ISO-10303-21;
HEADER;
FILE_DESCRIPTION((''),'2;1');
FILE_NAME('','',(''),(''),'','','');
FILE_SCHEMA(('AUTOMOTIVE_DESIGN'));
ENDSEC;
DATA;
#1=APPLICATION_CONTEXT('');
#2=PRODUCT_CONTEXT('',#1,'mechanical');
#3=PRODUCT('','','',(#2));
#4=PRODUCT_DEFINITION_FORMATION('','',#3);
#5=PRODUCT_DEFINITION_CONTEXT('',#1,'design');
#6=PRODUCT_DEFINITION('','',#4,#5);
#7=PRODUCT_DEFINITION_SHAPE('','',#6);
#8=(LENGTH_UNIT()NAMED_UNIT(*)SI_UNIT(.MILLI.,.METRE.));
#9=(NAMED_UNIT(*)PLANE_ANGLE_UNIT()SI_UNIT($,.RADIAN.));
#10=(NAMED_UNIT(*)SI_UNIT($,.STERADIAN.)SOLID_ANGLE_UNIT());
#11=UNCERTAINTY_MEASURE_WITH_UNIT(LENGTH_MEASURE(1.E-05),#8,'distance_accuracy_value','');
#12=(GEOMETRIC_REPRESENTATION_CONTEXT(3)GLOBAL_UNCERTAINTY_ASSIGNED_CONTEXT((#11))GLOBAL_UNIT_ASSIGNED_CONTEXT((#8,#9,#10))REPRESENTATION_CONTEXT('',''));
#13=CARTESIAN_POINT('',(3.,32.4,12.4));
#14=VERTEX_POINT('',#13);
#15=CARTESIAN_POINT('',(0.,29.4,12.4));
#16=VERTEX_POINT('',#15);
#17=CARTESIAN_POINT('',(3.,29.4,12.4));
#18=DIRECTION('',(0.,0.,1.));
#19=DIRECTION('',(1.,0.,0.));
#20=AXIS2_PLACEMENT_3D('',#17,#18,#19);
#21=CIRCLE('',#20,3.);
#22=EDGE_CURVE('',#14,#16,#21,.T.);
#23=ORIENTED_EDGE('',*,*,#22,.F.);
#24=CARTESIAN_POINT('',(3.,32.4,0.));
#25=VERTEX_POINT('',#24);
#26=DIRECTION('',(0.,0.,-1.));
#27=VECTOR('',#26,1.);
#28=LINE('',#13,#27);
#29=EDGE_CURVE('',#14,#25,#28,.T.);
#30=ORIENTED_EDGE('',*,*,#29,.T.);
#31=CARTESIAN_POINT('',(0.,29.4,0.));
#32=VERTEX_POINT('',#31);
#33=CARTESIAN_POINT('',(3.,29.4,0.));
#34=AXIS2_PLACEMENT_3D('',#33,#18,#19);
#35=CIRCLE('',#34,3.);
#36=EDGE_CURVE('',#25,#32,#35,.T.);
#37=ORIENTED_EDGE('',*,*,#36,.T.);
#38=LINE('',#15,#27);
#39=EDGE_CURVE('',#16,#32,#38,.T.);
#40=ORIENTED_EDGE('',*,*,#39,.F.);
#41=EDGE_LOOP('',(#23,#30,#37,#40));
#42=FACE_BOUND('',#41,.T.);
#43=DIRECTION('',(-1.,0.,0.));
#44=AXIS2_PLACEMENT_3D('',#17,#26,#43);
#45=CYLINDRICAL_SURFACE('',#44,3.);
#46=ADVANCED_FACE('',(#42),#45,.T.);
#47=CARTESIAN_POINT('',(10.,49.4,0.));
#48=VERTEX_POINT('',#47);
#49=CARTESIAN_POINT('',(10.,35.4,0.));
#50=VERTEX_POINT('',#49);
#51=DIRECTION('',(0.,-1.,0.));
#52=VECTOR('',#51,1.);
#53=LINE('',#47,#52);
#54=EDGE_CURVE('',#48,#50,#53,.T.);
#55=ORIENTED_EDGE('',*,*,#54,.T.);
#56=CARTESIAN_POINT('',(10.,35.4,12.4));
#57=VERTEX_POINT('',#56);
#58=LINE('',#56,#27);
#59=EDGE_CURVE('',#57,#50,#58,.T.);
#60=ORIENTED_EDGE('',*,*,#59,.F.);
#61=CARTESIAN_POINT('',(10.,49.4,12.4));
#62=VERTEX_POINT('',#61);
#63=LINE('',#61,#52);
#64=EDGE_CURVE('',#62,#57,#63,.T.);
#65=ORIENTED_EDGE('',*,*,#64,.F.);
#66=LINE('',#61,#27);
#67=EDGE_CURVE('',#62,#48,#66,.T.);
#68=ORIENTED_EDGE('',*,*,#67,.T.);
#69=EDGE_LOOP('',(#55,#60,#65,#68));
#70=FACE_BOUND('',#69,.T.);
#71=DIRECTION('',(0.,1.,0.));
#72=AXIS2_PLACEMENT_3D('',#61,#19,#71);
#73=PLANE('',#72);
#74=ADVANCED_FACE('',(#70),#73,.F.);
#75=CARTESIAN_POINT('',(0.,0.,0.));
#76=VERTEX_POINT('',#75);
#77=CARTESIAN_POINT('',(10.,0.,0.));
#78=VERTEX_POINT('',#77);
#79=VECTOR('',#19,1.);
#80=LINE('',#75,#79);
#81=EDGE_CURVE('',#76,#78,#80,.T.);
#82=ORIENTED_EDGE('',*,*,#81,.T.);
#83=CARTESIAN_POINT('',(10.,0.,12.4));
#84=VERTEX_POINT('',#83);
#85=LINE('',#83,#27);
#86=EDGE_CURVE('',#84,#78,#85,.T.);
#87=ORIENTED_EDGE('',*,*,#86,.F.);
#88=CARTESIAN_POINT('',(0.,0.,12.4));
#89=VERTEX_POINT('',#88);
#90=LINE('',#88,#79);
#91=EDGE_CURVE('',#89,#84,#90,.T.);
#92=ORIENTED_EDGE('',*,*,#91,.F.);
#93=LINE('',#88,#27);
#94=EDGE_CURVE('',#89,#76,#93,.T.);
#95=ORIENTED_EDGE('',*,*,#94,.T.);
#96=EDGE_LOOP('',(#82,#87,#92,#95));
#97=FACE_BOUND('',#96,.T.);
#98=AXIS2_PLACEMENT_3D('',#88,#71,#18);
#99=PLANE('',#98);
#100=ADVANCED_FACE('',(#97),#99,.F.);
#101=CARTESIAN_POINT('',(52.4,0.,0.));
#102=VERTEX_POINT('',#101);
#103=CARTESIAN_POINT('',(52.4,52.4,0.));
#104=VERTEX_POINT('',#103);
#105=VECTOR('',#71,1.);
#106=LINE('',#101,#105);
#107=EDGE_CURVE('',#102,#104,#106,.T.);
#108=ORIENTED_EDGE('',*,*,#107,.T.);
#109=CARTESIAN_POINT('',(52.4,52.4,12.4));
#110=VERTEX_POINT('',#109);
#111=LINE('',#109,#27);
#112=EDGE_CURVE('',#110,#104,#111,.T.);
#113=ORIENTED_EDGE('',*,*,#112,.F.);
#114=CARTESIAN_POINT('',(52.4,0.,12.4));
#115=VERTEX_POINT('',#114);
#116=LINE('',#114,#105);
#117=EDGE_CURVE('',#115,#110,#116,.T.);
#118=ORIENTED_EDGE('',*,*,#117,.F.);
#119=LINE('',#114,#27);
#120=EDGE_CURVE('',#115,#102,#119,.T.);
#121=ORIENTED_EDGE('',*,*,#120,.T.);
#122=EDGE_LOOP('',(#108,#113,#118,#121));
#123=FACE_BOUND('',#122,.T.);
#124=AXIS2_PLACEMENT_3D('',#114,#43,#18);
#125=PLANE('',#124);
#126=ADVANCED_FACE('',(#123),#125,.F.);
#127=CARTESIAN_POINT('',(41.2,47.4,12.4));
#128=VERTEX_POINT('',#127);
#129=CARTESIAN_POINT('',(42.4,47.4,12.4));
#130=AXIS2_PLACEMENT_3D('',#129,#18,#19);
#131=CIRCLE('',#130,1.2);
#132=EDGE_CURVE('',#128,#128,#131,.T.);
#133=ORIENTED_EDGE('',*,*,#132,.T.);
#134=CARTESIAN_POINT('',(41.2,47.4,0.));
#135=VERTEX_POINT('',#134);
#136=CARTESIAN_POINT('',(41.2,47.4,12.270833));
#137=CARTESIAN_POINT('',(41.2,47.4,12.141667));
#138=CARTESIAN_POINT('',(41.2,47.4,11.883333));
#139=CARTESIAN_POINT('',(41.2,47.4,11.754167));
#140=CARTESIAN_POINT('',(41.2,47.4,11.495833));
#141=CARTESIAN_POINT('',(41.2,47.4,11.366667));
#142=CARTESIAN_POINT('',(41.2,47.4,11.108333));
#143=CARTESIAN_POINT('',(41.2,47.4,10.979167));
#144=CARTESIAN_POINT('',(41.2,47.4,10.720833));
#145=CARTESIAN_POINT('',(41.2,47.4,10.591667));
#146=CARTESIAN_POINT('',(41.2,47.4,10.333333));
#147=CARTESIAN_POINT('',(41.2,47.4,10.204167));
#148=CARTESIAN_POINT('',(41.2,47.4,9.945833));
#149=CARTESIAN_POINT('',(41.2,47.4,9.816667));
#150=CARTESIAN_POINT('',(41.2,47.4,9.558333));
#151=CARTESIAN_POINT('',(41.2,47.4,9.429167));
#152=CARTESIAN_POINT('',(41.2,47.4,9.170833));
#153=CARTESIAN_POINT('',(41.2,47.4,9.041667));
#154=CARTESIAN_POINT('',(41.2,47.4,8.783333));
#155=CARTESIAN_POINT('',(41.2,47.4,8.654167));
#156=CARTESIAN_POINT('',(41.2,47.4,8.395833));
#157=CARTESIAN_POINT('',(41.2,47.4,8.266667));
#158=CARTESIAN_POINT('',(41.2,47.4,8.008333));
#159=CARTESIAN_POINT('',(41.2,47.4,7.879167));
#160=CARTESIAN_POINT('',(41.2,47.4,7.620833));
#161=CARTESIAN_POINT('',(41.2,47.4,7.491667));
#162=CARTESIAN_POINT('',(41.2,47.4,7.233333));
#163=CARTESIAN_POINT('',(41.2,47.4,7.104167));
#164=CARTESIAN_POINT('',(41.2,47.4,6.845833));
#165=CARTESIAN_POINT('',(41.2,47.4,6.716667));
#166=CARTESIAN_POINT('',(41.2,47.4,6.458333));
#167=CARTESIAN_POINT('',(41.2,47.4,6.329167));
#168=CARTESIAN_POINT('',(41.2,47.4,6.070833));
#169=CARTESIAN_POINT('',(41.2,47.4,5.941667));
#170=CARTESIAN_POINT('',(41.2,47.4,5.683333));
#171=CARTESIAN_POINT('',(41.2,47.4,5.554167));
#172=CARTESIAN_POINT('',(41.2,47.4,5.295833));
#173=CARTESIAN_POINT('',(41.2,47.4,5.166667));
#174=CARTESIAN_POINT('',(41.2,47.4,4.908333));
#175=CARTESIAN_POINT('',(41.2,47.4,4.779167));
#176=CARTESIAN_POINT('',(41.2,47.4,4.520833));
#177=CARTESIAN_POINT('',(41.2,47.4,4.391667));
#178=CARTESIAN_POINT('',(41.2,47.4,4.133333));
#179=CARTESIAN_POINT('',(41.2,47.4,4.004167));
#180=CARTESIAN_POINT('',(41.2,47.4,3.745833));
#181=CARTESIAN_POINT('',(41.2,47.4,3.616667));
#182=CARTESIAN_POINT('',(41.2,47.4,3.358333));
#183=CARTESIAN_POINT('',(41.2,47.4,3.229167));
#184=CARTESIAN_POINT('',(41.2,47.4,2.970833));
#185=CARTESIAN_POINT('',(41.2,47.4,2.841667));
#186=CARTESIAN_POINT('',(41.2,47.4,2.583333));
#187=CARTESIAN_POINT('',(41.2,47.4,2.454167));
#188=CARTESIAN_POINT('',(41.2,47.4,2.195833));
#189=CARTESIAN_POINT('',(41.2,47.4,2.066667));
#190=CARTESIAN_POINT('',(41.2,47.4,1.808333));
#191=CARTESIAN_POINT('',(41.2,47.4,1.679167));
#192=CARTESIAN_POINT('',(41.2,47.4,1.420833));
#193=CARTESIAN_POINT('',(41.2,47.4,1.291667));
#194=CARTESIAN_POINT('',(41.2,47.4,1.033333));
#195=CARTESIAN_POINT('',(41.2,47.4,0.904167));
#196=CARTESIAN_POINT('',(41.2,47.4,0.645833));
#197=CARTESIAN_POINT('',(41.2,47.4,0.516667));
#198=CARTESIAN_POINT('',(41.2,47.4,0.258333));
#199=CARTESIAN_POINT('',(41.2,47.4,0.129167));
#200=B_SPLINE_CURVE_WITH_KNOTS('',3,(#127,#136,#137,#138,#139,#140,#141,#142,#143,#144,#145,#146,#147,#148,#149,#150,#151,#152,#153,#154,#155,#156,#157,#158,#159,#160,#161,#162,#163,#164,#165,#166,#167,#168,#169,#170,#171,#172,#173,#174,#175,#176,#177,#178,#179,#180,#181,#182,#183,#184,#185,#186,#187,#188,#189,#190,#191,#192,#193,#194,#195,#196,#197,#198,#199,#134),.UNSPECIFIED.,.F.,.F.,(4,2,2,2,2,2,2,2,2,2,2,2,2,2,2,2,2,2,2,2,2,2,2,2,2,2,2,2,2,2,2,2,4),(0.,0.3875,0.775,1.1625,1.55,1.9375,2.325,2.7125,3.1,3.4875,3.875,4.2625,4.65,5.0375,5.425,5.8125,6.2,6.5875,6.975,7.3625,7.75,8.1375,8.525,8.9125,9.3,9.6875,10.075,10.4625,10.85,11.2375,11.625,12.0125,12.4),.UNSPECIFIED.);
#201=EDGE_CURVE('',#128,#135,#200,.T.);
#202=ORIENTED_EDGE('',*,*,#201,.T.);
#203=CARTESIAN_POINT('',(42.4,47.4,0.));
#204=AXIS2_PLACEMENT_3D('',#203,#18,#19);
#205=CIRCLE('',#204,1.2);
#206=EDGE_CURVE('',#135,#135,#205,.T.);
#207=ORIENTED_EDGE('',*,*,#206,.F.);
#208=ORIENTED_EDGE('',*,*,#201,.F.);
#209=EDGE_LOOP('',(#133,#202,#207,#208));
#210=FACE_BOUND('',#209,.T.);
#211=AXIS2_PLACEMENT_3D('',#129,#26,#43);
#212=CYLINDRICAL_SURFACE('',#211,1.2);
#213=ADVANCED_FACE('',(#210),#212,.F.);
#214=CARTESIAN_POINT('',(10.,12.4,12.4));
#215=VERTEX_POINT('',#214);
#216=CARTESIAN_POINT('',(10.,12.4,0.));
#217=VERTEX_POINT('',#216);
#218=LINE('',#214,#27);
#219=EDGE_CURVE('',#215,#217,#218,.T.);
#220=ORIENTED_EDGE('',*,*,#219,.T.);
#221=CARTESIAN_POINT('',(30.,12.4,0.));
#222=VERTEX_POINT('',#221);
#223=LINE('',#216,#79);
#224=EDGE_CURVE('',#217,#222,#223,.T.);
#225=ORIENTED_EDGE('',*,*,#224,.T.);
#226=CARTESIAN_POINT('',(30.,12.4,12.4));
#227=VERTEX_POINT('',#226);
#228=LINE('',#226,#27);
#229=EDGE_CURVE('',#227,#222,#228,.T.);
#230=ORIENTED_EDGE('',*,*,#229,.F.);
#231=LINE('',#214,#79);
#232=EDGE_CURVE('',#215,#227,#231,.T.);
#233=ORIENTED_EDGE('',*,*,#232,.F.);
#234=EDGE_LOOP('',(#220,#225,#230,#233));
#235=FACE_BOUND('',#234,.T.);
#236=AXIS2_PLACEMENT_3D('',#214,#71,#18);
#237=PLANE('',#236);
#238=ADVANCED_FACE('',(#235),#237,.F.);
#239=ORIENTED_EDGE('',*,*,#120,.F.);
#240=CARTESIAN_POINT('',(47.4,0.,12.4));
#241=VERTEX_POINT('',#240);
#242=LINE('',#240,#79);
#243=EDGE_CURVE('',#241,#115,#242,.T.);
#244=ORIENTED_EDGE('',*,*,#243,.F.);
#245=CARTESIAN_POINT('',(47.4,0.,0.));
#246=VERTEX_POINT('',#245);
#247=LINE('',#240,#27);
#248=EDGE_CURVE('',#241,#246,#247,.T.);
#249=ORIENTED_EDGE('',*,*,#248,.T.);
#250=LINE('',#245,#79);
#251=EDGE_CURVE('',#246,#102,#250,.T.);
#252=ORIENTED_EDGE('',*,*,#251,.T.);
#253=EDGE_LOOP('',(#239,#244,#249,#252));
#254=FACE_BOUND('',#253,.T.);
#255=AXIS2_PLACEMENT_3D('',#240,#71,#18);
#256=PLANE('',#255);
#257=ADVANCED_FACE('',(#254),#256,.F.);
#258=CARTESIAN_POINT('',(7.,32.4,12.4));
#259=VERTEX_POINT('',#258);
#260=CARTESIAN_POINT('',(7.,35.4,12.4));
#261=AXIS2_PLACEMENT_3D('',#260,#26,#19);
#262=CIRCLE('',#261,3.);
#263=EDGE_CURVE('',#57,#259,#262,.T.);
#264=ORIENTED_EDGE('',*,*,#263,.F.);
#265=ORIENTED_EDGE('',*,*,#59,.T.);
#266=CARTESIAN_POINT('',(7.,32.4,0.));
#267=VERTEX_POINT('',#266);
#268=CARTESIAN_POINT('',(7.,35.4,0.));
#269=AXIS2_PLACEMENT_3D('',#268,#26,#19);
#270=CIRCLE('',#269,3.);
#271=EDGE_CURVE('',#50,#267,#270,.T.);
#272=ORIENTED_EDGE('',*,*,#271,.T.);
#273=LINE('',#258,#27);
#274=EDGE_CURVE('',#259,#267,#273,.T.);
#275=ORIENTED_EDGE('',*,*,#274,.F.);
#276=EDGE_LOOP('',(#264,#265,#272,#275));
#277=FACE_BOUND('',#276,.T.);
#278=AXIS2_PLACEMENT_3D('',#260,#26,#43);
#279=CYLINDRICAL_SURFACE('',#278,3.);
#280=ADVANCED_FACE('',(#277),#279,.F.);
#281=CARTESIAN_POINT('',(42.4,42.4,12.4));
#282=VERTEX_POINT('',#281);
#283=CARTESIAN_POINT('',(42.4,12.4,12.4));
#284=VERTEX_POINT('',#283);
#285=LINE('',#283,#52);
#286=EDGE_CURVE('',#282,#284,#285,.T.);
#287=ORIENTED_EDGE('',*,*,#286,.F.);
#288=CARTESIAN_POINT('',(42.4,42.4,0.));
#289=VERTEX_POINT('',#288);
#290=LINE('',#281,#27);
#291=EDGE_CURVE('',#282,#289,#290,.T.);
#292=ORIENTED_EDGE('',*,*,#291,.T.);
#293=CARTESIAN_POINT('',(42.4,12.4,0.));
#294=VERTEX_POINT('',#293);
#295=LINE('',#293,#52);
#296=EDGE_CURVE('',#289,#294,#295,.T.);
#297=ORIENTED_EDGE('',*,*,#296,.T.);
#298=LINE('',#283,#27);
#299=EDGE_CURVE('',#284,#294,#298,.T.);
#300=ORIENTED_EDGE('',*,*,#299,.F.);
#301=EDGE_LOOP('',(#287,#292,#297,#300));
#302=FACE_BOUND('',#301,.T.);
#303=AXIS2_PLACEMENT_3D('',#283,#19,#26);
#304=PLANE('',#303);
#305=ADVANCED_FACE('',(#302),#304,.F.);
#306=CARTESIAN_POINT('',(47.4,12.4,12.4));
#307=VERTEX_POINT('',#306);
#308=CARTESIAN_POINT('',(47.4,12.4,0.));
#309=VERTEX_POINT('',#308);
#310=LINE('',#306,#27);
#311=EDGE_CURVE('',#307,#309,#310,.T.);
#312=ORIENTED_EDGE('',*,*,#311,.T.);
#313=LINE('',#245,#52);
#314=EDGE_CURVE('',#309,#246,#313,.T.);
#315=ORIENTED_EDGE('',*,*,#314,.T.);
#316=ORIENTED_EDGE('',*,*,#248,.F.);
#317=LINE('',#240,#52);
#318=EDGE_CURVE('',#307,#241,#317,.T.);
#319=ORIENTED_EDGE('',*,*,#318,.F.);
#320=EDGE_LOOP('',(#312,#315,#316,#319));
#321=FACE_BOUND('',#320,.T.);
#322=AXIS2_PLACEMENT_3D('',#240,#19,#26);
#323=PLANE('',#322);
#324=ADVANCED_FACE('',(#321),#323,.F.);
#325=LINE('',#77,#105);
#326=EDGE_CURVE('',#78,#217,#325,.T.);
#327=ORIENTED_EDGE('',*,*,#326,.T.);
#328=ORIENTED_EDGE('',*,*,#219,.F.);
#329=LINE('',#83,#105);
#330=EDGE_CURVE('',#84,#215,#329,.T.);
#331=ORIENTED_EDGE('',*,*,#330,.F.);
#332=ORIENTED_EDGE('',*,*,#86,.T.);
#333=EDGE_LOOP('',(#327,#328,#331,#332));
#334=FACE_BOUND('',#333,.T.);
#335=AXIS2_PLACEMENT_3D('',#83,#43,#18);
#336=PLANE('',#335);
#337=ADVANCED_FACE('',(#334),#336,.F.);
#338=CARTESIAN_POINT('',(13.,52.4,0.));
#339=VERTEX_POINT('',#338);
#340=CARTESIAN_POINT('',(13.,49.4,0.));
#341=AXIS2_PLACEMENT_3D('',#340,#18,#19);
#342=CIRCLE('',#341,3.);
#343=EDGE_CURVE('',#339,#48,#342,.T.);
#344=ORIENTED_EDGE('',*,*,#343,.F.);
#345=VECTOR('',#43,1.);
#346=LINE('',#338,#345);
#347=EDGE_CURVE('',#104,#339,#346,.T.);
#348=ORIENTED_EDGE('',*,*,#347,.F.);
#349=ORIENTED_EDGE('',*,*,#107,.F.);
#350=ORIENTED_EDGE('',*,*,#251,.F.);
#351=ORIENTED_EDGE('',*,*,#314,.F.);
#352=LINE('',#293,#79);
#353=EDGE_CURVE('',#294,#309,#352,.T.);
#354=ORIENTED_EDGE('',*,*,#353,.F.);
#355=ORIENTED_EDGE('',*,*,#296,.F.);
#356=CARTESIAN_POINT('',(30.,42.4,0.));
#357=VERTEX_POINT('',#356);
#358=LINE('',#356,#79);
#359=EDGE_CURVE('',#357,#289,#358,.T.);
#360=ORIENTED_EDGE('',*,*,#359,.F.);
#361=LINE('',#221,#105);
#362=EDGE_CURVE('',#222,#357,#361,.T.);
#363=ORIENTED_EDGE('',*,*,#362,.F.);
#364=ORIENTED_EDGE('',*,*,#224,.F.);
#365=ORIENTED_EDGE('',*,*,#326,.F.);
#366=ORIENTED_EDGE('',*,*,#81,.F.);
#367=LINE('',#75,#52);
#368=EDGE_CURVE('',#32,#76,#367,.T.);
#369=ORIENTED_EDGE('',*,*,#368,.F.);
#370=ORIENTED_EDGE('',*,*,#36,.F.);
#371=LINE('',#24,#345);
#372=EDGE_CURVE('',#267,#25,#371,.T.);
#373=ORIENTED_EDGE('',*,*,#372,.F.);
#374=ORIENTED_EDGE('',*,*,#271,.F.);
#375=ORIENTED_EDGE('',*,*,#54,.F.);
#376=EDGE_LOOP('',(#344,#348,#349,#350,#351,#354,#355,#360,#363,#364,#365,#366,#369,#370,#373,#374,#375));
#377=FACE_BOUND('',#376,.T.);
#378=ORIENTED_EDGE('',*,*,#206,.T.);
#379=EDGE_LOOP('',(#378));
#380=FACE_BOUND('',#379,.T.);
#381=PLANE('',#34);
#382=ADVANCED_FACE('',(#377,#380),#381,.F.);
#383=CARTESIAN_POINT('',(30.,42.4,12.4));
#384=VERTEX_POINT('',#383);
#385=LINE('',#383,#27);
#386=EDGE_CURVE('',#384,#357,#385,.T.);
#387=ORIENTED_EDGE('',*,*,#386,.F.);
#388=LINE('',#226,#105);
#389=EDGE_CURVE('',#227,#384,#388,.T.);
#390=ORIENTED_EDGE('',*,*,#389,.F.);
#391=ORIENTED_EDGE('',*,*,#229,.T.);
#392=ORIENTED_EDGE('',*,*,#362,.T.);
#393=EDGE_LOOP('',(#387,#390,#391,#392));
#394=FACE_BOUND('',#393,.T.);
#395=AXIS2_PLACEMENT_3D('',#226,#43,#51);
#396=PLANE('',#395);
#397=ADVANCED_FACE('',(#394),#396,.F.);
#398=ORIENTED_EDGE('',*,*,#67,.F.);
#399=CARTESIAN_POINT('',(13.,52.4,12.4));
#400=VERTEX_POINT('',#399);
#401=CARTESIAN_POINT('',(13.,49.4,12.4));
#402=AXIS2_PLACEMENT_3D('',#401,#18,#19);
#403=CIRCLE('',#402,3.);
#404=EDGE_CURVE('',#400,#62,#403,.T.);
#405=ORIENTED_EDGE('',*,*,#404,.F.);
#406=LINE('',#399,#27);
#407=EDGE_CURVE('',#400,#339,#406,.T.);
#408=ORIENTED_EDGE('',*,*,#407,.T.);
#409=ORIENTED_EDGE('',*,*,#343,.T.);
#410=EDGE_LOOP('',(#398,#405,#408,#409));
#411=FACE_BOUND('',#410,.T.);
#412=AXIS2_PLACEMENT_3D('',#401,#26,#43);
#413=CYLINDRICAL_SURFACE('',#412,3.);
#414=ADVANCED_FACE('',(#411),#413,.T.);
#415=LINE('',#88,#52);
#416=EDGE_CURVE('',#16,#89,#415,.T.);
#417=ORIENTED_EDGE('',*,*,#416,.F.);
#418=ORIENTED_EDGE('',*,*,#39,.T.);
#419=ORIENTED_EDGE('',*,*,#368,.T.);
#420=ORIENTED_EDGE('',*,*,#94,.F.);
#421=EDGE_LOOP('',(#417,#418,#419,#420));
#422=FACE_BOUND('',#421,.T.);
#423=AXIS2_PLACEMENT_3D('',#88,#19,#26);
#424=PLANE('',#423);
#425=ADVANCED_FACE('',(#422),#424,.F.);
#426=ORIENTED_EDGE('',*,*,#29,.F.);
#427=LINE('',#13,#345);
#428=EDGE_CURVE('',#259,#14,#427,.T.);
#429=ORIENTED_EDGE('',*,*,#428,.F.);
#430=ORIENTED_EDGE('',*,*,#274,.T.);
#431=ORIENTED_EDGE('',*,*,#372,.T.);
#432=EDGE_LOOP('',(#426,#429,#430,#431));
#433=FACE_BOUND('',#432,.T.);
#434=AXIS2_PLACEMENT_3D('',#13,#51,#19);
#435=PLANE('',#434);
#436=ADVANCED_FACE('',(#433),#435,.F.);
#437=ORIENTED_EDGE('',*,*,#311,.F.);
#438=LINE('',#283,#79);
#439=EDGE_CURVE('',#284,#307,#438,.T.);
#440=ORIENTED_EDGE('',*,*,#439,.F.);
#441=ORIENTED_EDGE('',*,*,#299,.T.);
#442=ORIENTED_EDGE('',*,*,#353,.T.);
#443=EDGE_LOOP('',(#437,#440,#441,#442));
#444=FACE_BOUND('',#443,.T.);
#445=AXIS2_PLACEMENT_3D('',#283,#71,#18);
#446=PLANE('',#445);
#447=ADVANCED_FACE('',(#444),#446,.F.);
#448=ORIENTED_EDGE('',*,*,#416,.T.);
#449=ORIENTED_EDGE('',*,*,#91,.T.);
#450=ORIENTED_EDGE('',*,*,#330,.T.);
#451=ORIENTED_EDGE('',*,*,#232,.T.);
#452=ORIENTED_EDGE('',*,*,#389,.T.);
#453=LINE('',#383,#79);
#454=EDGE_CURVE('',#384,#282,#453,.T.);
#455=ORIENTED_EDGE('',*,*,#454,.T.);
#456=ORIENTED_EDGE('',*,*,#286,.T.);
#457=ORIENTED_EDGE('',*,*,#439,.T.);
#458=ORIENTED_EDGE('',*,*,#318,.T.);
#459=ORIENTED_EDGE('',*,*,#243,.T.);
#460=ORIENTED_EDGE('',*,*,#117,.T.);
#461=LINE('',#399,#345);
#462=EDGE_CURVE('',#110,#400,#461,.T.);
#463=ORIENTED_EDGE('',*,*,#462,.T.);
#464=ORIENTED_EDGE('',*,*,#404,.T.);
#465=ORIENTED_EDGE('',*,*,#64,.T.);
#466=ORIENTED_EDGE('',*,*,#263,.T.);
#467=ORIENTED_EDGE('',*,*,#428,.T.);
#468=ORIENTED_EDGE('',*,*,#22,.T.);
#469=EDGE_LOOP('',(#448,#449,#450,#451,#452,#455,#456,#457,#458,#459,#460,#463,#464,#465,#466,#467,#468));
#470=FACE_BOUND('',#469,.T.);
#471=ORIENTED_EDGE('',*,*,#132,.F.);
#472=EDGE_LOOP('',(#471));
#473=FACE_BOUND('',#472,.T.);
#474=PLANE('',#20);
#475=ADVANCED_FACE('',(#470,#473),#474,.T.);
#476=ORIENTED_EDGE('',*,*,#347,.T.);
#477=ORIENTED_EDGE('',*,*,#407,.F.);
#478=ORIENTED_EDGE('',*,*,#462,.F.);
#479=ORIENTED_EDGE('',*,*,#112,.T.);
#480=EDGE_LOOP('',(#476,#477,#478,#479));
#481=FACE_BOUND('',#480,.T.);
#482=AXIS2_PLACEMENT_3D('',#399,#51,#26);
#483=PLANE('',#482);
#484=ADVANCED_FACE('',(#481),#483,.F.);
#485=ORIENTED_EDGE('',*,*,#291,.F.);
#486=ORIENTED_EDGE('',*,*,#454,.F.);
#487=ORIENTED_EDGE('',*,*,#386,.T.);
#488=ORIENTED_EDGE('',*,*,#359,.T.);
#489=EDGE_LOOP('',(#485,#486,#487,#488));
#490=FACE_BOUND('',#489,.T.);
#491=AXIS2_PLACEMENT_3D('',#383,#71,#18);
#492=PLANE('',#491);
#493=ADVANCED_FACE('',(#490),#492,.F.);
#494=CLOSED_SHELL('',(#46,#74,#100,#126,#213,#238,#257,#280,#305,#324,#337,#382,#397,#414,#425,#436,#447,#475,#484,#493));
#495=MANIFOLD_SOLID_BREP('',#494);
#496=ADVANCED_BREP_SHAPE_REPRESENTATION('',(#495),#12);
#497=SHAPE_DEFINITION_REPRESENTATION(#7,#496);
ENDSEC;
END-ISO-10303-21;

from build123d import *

# Parameters (mm, degrees)
MODEL_R             = 1.2
BOSS_EXTRUDE1_DEPTH = 12.4


with BuildPart() as part:
    # Model → Boss-Extrude1 (new body)
    with BuildSketch(Plane.XY):
        with BuildLine():
            Line((47.4, 0), (52.4, 0))
            Line((52.4, 0), (52.4, 52.4))
            Line((52.4, 52.4), (13, 52.4))
            ThreePointArc((13, 52.4), (10.878679656, 51.521320344), (10, 49.4))
            Line((10, 49.4), (10, 35.4))
            ThreePointArc((10, 35.4), (9.121320344, 33.278679656), (7, 32.4))
            Line((7, 32.4), (3, 32.4))
            ThreePointArc((3, 32.4), (0.878679656, 31.521320344), (0, 29.4))
            Line((0, 29.4), (0, 0))
            Line((0, 0), (10, 0))
            Line((10, 0), (10, 12.4))
            Line((10, 12.4), (30, 12.4))
            Line((30, 12.4), (30, 42.4))
            Line((30, 42.4), (42.4, 42.4))
            Line((42.4, 42.4), (42.4, 12.4))
            Line((42.4, 12.4), (47.4, 12.4))
            Line((47.4, 12.4), (47.4, 0))
        make_face()
        with Locations(Location((42.4, 47.4, 0), (0, 0, 180))):
            Circle(MODEL_R, mode=Mode.SUBTRACT)
    extrude(amount=BOSS_EXTRUDE1_DEPTH)


solid = part.part
